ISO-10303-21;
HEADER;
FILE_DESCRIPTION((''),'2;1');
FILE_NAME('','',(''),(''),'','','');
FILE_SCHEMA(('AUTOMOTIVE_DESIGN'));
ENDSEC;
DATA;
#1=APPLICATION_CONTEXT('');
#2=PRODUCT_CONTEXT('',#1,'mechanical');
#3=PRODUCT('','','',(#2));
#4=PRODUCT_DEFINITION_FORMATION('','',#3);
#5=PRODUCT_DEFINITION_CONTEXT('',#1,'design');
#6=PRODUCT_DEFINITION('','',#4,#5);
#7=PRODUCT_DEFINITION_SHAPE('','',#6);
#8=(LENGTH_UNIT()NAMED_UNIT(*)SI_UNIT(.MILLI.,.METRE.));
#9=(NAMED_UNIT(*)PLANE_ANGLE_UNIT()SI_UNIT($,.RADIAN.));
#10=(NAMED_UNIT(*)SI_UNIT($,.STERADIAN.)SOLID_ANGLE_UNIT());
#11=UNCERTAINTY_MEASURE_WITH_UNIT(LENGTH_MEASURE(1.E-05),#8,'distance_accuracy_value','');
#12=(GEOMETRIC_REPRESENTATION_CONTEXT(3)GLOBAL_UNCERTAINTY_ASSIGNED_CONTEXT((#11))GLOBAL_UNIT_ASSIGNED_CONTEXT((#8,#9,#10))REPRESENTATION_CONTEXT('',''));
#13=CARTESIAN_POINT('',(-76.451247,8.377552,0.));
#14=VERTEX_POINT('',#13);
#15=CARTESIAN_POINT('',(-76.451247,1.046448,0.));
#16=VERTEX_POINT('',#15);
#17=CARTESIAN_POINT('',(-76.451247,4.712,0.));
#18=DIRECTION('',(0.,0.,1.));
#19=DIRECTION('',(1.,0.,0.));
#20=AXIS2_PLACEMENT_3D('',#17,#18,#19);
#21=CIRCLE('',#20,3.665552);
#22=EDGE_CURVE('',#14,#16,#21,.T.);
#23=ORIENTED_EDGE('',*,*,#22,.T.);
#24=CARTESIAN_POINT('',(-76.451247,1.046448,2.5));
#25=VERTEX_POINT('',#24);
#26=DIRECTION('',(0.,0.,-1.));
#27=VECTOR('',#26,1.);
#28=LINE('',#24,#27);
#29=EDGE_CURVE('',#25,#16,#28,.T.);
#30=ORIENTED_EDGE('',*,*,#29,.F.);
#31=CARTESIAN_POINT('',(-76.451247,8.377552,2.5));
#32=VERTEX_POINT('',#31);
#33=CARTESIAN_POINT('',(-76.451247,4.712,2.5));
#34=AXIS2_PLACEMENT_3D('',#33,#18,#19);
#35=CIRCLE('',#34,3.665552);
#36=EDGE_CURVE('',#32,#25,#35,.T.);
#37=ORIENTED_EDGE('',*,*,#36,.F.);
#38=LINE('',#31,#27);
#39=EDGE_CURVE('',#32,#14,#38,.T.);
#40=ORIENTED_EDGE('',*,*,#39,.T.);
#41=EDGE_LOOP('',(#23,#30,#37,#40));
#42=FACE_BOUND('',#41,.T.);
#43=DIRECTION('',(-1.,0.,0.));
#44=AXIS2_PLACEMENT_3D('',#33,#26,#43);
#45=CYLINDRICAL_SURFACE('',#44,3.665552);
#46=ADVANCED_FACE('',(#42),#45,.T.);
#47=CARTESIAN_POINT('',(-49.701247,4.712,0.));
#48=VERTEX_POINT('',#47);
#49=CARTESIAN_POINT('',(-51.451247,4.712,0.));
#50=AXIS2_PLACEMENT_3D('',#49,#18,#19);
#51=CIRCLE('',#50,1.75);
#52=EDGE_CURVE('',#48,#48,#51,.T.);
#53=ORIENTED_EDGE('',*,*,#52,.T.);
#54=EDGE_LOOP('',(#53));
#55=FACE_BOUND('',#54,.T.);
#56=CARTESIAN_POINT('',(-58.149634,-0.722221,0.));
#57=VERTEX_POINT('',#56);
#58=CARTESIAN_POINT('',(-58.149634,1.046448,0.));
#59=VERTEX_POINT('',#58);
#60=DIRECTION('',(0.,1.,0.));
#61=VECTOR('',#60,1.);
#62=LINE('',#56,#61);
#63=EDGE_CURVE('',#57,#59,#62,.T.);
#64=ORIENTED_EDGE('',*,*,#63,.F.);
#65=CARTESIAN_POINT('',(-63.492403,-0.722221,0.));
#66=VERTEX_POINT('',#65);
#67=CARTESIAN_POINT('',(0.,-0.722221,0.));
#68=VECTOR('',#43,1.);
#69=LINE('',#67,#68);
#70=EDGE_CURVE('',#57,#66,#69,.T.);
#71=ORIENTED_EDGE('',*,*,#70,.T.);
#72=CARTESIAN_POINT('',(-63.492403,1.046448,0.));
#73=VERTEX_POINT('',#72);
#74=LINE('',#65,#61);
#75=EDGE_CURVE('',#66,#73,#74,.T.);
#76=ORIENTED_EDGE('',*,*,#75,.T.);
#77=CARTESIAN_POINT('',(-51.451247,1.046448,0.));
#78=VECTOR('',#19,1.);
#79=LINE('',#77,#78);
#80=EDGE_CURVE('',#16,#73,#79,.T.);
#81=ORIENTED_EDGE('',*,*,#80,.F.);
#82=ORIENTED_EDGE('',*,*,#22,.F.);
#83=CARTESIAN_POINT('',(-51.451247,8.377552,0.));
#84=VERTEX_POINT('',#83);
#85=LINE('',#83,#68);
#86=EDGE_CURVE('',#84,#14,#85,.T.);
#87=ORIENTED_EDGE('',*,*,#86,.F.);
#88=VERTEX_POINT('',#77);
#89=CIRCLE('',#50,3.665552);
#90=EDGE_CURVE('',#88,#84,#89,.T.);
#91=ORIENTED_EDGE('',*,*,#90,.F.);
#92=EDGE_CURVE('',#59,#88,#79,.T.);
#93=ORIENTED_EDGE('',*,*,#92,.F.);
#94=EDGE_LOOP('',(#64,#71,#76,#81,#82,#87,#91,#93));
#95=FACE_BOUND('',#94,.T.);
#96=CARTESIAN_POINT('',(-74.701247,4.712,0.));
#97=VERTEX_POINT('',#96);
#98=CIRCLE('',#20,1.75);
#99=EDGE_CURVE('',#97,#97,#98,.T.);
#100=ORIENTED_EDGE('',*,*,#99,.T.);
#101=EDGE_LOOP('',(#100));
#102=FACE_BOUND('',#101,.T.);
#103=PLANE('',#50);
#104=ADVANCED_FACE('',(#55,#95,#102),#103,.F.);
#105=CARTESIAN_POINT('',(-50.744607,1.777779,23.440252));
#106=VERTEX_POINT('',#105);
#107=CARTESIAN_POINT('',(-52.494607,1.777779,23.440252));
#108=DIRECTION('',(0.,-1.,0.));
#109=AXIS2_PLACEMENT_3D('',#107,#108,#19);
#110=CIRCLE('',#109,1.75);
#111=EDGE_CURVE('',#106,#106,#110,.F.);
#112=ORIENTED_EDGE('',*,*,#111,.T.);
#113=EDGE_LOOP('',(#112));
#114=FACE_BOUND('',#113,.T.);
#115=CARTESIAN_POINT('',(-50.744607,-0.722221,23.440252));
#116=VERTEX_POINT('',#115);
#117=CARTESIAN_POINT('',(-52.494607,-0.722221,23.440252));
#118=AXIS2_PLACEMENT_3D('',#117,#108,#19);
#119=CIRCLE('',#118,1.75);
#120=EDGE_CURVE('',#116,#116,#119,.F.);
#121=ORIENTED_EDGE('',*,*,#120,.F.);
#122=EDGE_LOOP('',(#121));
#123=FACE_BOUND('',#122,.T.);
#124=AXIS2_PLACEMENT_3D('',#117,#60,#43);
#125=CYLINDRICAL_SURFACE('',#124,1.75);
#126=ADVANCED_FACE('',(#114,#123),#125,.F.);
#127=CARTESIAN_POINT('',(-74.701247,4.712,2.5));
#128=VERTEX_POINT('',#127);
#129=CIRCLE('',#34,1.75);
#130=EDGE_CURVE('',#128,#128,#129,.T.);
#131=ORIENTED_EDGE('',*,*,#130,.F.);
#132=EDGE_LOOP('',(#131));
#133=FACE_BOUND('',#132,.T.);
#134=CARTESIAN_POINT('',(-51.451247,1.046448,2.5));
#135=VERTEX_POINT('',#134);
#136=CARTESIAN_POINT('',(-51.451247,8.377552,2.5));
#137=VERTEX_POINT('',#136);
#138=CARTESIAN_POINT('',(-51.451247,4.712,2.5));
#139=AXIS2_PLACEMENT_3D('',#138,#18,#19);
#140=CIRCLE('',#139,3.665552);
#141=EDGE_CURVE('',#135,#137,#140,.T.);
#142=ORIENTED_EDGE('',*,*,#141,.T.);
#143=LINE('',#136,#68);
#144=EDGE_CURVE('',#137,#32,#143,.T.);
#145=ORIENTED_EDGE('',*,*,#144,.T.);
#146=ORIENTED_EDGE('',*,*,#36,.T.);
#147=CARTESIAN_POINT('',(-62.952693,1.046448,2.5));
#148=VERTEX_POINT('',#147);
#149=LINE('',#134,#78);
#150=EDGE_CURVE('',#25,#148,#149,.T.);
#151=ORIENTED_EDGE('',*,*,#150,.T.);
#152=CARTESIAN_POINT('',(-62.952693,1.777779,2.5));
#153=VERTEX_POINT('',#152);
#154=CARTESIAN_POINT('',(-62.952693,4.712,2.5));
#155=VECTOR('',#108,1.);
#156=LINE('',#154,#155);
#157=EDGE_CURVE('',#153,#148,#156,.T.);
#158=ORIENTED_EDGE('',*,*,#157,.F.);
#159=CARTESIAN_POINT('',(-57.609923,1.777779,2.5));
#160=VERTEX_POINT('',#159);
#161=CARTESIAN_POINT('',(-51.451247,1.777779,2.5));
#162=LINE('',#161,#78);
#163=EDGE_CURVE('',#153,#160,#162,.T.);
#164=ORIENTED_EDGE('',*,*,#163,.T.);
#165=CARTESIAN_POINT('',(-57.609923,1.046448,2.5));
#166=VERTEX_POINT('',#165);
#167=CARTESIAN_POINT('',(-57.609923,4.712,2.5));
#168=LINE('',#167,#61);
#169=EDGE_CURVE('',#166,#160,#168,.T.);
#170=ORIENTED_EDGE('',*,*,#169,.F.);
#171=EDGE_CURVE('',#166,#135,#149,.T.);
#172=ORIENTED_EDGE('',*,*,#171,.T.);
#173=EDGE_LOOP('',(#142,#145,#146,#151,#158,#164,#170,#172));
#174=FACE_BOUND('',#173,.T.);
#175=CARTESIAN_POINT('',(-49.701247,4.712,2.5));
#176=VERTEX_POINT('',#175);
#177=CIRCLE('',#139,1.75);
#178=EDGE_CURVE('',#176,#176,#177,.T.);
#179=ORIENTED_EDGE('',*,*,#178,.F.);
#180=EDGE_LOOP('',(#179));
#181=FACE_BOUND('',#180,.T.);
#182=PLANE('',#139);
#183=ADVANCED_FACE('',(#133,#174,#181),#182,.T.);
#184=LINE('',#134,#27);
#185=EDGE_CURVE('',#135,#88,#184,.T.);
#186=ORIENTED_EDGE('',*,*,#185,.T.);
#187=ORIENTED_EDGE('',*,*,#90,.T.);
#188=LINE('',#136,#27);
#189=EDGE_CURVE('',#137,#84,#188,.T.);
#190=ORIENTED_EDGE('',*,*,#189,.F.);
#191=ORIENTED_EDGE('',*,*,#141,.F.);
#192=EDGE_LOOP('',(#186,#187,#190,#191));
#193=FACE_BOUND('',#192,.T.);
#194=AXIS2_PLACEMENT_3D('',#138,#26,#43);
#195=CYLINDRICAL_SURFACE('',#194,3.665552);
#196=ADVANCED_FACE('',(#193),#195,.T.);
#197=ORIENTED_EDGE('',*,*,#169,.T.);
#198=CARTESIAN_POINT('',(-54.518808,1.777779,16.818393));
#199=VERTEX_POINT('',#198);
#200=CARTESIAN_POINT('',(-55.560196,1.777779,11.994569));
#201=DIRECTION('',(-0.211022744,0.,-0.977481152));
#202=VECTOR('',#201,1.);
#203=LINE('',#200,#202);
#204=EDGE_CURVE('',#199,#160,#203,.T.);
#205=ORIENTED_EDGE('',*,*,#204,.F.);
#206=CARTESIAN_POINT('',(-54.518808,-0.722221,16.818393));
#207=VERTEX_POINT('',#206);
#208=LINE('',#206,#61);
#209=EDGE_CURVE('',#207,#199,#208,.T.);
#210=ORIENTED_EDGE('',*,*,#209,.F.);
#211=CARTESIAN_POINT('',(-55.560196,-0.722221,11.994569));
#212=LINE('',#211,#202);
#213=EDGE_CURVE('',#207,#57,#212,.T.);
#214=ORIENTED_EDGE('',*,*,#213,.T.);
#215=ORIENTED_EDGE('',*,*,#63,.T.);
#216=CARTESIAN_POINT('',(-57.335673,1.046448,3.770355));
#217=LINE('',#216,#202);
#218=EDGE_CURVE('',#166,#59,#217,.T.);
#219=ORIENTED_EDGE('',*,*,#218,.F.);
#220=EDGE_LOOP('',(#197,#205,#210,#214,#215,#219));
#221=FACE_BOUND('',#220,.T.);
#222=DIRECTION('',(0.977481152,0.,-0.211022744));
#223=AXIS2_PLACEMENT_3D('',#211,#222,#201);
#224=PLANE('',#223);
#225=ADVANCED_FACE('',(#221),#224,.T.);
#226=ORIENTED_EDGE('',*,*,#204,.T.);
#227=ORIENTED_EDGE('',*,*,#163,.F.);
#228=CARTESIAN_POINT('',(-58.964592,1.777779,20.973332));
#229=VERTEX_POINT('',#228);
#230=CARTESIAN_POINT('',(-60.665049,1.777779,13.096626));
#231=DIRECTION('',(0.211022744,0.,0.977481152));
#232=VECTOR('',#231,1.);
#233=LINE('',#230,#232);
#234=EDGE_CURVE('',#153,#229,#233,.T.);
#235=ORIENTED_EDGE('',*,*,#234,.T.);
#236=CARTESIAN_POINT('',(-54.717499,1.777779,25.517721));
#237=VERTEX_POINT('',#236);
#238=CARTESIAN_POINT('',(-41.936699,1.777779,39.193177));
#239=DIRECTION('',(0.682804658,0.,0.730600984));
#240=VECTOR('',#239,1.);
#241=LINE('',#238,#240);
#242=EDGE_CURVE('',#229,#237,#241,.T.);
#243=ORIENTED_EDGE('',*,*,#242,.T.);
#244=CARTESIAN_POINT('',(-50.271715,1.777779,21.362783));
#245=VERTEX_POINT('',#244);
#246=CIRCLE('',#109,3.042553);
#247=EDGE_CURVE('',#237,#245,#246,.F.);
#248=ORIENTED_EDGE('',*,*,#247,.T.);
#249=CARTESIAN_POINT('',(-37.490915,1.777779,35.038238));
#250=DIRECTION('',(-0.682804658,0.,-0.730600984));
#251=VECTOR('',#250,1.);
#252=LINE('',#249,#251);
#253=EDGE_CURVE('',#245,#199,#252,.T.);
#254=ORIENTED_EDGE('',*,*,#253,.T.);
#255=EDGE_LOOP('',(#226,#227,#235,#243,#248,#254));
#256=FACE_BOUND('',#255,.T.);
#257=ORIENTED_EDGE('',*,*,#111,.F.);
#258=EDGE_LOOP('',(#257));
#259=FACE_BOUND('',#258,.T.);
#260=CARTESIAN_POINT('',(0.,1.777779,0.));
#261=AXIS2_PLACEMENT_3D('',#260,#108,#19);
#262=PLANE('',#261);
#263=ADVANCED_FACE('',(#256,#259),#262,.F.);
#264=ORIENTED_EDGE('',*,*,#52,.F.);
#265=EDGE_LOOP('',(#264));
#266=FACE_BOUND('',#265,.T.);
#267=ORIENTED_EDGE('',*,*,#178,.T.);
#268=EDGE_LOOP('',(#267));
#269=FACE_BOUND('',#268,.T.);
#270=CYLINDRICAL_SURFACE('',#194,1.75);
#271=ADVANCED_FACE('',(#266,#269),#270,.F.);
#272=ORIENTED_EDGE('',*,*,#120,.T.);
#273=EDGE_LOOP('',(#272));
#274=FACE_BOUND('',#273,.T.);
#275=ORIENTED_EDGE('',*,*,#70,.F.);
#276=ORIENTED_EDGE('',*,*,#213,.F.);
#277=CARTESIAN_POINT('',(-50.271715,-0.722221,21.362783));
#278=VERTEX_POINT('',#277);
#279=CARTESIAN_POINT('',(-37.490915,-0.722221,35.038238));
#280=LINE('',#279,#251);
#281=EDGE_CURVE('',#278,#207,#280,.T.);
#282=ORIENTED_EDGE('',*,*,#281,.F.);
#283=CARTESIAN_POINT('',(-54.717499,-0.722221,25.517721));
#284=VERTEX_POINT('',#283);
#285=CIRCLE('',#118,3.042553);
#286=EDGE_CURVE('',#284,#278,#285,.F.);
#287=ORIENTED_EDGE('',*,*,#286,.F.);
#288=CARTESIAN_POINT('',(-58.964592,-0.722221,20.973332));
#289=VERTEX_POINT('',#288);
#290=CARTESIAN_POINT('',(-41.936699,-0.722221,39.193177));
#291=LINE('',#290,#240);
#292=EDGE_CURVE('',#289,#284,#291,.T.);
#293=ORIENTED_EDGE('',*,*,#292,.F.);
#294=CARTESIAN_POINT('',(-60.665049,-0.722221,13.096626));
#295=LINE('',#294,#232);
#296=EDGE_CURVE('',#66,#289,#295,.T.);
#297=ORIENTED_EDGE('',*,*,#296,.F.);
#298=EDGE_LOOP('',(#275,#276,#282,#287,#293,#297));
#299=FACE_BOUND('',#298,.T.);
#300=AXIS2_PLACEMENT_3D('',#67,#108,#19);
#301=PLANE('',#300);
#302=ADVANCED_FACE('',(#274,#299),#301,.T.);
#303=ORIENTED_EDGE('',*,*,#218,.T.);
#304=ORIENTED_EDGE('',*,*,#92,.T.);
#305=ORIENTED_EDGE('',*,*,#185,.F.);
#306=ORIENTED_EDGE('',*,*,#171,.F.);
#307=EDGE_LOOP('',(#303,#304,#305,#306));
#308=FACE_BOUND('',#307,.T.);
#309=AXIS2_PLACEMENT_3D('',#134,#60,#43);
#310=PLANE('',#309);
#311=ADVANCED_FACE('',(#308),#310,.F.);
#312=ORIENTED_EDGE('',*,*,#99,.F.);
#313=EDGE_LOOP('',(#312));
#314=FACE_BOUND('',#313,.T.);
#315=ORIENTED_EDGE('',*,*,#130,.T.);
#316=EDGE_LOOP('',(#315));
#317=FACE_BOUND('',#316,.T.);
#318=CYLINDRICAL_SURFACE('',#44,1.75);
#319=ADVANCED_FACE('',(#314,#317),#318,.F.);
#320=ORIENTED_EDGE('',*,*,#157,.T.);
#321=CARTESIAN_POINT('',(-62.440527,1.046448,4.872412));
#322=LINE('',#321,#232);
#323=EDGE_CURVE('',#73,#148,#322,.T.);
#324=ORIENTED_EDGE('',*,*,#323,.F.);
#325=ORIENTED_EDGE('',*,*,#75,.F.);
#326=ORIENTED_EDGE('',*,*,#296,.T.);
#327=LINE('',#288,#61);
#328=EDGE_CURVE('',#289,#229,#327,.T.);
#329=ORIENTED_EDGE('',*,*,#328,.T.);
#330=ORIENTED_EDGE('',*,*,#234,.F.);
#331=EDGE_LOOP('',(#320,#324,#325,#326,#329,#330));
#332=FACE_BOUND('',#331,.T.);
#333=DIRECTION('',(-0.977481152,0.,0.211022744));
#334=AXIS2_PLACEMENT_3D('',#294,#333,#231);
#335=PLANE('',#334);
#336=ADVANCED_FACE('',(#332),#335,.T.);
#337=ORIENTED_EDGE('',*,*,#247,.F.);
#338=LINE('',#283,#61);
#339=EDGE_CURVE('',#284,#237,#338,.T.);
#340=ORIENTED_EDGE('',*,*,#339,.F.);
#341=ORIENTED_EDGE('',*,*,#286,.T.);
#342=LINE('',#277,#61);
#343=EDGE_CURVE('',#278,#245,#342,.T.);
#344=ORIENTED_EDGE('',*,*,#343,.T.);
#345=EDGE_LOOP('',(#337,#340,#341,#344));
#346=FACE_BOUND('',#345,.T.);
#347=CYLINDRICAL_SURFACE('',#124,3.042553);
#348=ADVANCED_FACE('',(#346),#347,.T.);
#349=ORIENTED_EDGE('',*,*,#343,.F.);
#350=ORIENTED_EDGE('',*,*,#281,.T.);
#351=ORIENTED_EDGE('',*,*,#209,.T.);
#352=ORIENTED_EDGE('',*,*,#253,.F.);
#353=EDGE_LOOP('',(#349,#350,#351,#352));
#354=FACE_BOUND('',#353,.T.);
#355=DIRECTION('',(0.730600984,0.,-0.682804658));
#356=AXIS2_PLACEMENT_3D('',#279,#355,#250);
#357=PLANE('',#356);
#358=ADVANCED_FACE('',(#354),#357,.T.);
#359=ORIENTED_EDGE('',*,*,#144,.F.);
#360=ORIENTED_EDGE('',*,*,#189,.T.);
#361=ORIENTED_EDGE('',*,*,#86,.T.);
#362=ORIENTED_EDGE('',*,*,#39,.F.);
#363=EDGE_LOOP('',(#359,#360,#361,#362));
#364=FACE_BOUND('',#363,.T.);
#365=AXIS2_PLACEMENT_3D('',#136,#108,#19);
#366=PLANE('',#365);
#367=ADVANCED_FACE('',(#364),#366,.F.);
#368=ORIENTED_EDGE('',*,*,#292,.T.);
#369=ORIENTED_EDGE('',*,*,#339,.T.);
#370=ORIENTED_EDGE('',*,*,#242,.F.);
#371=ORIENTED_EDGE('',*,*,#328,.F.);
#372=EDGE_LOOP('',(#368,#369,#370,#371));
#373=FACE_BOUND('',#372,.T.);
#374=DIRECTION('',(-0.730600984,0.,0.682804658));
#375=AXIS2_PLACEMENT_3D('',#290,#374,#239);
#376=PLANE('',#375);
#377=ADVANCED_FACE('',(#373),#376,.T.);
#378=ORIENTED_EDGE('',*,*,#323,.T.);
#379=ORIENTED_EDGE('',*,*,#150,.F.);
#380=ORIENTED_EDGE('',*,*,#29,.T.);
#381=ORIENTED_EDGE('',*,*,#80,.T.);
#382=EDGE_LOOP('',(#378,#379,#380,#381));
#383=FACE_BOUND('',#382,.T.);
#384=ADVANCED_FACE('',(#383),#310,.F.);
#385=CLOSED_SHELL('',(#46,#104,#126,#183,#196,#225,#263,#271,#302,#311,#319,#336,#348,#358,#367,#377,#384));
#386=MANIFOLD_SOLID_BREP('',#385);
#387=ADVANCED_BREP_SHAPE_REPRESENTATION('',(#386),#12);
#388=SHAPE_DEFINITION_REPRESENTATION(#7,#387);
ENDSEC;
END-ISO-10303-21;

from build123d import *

# Parameters (mm, degrees)
SKETCH1_R           = 1.75
BOSS_EXTRUDE1_DEPTH = 2.5
SKETCH2_R           = 1.75
BOSS_EXTRUDE2_DEPTH = 2.5


with BuildPart() as part:
    # Sketch1 → Boss-Extrude1 (new body)
    with BuildSketch(Plane.XY):
        with BuildLine():
            Line((-51.451246925, 1.046447779), (-76.451246925, 1.046447779))
            ThreePointArc((-76.451246925, 1.046447779), (-80.116799147, 4.712), (-76.451246925, 8.377552221))
            Line((-76.451246925, 8.377552221), (-51.451246925, 8.377552221))
            ThreePointArc((-51.451246925, 8.377552221), (-47.785694704, 4.712), (-51.451246925, 1.046447779))
        make_face()
        with Locations((-76.451246925, 4.712)):
            Circle(SKETCH1_R, mode=Mode.SUBTRACT)
        with Locations((-51.451246925, 4.712)):
            Circle(SKETCH1_R, mode=Mode.SUBTRACT)
    extrude(amount=BOSS_EXTRUDE1_DEPTH)

    # Sketch2 → Boss-Extrude2 (add)
    with BuildSketch(Plane.XZ.offset(-1.777778923)):
        with BuildLine():
            Line((-58.149633546, 0), (-54.518808092, 16.818393056))
            Line((-54.518808092, 16.818393056), (-50.271714816, 21.362782861))
            ThreePointArc((-50.271714816, 21.362782861), (-50.417137666, 25.663144264), (-54.717499069, 25.517721415))
            Line((-54.717499069, 25.517721415), (-58.964592345, 20.97333161))
            Line((-58.964592345, 20.97333161), (-63.492403415, 0))
            Line((-63.492403415, 0), (-58.149633546, 0))
        make_face()
        with Locations((-52.494606943, 23.440252138)):
            Circle(SKETCH2_R, mode=Mode.SUBTRACT)
    extrude(amount=BOSS_EXTRUDE2_DEPTH)


solid = part.part
